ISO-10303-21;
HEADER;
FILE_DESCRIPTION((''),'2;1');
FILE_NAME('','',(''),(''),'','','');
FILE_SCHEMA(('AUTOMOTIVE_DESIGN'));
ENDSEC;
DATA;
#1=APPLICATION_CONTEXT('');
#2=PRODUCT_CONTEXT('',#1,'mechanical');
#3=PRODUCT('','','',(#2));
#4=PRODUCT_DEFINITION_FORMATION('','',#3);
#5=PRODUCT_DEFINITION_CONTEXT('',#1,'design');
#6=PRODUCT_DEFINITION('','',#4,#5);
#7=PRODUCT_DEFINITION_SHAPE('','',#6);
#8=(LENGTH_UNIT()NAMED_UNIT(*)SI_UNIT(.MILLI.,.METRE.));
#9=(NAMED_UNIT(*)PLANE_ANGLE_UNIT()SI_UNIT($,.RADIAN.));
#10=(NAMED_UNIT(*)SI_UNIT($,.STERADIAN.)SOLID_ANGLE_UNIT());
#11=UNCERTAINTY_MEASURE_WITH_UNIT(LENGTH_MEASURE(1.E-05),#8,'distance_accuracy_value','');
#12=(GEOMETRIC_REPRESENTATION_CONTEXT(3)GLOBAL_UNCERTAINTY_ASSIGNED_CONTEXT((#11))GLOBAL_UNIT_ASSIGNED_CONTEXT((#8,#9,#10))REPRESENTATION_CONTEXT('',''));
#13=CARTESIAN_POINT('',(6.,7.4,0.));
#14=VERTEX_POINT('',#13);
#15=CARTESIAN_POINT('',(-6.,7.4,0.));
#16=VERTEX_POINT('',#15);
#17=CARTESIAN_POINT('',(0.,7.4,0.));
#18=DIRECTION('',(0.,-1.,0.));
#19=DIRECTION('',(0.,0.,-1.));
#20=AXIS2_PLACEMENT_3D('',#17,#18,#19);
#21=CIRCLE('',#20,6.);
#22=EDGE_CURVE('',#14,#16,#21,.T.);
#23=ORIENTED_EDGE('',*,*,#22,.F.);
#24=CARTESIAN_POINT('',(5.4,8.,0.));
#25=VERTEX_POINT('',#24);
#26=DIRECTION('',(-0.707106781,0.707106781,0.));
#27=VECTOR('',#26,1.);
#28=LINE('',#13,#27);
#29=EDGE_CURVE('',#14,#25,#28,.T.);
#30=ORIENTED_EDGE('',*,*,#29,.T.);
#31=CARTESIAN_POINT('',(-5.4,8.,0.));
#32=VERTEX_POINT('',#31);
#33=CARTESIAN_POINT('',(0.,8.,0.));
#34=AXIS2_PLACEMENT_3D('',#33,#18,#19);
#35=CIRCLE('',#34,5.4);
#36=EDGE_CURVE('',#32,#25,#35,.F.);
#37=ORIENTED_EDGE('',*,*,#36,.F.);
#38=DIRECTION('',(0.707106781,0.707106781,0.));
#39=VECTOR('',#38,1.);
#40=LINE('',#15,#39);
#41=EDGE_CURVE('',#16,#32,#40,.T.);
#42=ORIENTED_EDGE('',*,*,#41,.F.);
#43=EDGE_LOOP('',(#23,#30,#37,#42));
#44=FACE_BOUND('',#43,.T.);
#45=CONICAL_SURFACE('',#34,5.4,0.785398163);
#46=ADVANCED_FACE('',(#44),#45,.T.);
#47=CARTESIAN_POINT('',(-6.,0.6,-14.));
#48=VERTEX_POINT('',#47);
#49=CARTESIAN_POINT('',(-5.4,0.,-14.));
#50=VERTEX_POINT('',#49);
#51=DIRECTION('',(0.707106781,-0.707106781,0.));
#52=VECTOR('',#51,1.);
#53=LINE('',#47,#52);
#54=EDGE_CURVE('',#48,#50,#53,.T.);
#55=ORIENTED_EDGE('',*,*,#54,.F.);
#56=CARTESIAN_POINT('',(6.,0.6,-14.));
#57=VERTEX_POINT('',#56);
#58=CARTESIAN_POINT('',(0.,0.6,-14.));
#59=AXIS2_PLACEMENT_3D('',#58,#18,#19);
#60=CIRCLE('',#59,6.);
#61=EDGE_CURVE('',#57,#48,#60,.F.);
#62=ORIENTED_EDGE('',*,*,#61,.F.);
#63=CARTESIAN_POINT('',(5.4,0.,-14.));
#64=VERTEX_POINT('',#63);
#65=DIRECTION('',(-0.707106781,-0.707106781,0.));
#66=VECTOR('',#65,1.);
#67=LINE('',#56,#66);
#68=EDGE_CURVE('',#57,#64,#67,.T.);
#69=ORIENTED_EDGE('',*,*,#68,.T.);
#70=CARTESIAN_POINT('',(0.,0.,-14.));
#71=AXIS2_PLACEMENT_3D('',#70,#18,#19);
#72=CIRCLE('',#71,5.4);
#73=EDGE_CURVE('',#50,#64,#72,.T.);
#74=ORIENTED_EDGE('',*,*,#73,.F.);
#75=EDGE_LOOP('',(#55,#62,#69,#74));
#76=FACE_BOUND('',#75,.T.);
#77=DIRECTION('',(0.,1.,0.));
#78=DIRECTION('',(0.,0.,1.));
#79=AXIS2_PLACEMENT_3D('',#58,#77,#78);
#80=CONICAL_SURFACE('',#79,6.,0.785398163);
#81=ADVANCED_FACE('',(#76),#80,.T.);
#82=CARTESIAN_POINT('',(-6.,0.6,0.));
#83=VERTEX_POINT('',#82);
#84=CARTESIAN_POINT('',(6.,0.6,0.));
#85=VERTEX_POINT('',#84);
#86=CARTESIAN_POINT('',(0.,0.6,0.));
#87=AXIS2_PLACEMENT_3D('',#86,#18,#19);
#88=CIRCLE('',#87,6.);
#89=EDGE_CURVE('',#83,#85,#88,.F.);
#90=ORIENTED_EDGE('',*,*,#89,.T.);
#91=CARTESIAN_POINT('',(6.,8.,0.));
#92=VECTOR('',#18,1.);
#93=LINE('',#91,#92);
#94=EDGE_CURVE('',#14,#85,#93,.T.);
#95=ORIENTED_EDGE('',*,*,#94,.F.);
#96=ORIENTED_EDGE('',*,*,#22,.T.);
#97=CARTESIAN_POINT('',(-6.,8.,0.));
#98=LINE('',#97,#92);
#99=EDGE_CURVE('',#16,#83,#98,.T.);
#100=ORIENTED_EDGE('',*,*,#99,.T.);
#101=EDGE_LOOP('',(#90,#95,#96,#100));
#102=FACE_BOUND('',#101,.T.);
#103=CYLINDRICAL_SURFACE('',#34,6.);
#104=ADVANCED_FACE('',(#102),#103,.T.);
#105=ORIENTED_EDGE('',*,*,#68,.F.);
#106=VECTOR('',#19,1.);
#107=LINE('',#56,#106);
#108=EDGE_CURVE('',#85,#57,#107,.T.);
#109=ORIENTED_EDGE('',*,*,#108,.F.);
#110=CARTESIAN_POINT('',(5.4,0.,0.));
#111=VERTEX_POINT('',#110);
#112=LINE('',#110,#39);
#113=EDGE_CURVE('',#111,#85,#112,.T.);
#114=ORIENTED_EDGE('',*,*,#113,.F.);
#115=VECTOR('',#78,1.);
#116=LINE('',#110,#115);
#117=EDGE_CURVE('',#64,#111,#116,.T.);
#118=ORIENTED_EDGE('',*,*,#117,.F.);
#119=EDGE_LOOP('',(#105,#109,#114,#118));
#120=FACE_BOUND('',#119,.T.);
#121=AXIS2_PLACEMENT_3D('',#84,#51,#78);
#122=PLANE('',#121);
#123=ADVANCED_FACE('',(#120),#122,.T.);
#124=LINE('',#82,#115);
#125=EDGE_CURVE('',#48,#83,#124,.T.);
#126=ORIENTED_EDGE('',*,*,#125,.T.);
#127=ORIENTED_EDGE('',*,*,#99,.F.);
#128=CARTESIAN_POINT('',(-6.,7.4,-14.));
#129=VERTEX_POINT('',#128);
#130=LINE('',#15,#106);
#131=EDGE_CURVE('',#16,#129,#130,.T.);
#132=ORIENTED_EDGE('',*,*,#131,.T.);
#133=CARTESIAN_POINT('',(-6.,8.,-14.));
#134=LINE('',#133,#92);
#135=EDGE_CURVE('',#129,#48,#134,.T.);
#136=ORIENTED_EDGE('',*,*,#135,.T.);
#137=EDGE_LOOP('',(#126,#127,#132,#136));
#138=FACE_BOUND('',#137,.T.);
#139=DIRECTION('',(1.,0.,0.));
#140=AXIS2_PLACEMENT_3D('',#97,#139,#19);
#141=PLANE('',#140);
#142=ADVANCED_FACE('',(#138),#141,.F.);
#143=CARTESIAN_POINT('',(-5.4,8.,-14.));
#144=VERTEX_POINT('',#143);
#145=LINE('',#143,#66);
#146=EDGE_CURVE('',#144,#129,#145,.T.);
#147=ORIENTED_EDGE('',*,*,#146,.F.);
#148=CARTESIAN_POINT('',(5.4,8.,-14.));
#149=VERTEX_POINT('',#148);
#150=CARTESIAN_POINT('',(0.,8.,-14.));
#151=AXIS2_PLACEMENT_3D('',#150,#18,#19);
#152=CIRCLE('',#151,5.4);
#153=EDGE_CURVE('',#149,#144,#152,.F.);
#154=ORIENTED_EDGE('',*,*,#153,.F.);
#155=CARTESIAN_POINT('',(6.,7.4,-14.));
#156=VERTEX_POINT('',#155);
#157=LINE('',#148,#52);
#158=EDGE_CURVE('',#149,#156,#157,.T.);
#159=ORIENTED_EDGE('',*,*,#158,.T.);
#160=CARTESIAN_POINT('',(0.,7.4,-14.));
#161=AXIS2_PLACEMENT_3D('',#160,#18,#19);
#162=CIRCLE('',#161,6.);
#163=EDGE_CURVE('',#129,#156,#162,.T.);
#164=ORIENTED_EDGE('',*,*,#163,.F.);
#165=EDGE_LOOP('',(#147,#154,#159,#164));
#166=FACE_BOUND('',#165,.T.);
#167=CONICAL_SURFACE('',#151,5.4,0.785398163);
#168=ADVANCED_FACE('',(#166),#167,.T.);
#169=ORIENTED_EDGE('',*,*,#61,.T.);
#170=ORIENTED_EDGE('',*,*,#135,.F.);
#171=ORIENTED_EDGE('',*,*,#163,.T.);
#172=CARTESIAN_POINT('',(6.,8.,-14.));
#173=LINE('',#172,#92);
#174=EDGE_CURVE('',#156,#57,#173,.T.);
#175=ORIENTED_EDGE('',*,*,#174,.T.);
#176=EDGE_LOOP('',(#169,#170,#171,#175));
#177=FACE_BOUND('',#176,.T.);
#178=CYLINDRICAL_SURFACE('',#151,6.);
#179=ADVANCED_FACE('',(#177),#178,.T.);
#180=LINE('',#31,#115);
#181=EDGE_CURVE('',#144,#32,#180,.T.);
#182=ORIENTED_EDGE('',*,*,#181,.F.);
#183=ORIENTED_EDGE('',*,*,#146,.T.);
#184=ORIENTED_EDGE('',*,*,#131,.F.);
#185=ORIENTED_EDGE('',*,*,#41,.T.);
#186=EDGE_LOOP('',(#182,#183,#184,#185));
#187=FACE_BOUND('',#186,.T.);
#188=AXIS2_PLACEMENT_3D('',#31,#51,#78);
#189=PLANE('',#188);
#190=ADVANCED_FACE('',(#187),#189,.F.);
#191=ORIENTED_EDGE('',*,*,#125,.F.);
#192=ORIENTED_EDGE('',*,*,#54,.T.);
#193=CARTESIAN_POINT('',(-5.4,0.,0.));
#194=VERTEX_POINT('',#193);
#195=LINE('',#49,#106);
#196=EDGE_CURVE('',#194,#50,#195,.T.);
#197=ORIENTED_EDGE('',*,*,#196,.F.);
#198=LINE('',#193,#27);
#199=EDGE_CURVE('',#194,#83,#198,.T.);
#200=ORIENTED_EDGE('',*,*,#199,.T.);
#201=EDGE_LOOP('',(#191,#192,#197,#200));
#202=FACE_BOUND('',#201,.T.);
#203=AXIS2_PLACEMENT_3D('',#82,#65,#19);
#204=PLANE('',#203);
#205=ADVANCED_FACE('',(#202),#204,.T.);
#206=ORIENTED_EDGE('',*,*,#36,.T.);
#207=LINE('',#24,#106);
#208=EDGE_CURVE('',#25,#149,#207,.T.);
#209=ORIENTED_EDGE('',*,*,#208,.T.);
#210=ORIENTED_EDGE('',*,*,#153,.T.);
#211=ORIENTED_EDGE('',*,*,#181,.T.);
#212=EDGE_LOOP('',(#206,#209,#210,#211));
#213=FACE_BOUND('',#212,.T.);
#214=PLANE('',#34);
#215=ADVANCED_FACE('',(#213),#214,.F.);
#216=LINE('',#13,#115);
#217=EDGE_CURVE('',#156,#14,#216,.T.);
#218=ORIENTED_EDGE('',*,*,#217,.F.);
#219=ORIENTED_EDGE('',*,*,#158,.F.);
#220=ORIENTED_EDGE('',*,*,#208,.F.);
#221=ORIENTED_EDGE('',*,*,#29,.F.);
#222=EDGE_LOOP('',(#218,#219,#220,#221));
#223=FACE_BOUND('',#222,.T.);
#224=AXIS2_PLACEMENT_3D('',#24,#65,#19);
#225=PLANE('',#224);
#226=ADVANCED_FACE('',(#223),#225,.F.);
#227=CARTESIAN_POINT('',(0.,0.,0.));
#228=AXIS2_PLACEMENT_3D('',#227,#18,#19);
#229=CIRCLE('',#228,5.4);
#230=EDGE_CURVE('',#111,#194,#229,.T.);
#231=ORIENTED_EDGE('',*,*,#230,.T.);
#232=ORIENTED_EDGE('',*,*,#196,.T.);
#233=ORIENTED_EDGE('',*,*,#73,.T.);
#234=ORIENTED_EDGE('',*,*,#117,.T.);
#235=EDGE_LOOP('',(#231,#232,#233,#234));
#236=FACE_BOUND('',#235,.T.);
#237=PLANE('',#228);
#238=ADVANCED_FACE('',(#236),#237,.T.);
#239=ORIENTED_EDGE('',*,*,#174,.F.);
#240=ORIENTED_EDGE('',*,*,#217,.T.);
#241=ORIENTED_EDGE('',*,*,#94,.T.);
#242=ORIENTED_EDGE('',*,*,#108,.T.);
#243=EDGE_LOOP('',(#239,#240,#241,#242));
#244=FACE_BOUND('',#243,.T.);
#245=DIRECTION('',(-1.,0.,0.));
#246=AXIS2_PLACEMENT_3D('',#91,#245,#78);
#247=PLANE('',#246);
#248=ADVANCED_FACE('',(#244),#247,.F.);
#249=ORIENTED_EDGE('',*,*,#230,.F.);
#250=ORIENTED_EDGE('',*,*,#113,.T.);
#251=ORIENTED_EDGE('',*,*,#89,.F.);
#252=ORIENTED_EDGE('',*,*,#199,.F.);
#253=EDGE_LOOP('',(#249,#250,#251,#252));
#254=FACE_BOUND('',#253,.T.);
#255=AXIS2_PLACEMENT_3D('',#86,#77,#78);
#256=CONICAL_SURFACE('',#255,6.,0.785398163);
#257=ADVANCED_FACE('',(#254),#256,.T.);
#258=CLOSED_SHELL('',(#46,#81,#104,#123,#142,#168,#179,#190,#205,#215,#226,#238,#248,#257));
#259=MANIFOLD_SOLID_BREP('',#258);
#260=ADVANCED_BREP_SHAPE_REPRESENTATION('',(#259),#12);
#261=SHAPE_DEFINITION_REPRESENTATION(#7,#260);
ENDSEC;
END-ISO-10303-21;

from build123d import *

# Parameters (mm, degrees)
BOSS_EXTRUDE1_DEPTH = 8
CHAMFER1_SIZE       = 0.6


with BuildPart() as part:
    # Sketch1 → Boss-Extrude1 (new body)
    with BuildSketch(Plane(origin=(0, 0, 0), x_dir=(1, 0, 0), z_dir=(0, 1, 0))):
        with BuildLine():
            Line((6, 0), (6, 14))
            ThreePointArc((6, 14), (0, 20), (-6, 14))
            Line((-6, 14), (-6, 0))
            ThreePointArc((-6, 0), (0, -6), (6, 0))
        make_face()
    extrude(amount=BOSS_EXTRUDE1_DEPTH)

    # Chamfer1
    chamfer1_edges = [part.edges().sort_by_distance(p)[0] for p in [
        (0, 8, -20),
        (-6, 8, -7),
        (0, 8, 6),
        (-6, 0, -7),
        (0, 0, -20),
        (6, 0, -7),
        (0, 0, 6),
        (6, 8, -7),
    ]]
    chamfer(chamfer1_edges, length=CHAMFER1_SIZE)


solid = part.part
